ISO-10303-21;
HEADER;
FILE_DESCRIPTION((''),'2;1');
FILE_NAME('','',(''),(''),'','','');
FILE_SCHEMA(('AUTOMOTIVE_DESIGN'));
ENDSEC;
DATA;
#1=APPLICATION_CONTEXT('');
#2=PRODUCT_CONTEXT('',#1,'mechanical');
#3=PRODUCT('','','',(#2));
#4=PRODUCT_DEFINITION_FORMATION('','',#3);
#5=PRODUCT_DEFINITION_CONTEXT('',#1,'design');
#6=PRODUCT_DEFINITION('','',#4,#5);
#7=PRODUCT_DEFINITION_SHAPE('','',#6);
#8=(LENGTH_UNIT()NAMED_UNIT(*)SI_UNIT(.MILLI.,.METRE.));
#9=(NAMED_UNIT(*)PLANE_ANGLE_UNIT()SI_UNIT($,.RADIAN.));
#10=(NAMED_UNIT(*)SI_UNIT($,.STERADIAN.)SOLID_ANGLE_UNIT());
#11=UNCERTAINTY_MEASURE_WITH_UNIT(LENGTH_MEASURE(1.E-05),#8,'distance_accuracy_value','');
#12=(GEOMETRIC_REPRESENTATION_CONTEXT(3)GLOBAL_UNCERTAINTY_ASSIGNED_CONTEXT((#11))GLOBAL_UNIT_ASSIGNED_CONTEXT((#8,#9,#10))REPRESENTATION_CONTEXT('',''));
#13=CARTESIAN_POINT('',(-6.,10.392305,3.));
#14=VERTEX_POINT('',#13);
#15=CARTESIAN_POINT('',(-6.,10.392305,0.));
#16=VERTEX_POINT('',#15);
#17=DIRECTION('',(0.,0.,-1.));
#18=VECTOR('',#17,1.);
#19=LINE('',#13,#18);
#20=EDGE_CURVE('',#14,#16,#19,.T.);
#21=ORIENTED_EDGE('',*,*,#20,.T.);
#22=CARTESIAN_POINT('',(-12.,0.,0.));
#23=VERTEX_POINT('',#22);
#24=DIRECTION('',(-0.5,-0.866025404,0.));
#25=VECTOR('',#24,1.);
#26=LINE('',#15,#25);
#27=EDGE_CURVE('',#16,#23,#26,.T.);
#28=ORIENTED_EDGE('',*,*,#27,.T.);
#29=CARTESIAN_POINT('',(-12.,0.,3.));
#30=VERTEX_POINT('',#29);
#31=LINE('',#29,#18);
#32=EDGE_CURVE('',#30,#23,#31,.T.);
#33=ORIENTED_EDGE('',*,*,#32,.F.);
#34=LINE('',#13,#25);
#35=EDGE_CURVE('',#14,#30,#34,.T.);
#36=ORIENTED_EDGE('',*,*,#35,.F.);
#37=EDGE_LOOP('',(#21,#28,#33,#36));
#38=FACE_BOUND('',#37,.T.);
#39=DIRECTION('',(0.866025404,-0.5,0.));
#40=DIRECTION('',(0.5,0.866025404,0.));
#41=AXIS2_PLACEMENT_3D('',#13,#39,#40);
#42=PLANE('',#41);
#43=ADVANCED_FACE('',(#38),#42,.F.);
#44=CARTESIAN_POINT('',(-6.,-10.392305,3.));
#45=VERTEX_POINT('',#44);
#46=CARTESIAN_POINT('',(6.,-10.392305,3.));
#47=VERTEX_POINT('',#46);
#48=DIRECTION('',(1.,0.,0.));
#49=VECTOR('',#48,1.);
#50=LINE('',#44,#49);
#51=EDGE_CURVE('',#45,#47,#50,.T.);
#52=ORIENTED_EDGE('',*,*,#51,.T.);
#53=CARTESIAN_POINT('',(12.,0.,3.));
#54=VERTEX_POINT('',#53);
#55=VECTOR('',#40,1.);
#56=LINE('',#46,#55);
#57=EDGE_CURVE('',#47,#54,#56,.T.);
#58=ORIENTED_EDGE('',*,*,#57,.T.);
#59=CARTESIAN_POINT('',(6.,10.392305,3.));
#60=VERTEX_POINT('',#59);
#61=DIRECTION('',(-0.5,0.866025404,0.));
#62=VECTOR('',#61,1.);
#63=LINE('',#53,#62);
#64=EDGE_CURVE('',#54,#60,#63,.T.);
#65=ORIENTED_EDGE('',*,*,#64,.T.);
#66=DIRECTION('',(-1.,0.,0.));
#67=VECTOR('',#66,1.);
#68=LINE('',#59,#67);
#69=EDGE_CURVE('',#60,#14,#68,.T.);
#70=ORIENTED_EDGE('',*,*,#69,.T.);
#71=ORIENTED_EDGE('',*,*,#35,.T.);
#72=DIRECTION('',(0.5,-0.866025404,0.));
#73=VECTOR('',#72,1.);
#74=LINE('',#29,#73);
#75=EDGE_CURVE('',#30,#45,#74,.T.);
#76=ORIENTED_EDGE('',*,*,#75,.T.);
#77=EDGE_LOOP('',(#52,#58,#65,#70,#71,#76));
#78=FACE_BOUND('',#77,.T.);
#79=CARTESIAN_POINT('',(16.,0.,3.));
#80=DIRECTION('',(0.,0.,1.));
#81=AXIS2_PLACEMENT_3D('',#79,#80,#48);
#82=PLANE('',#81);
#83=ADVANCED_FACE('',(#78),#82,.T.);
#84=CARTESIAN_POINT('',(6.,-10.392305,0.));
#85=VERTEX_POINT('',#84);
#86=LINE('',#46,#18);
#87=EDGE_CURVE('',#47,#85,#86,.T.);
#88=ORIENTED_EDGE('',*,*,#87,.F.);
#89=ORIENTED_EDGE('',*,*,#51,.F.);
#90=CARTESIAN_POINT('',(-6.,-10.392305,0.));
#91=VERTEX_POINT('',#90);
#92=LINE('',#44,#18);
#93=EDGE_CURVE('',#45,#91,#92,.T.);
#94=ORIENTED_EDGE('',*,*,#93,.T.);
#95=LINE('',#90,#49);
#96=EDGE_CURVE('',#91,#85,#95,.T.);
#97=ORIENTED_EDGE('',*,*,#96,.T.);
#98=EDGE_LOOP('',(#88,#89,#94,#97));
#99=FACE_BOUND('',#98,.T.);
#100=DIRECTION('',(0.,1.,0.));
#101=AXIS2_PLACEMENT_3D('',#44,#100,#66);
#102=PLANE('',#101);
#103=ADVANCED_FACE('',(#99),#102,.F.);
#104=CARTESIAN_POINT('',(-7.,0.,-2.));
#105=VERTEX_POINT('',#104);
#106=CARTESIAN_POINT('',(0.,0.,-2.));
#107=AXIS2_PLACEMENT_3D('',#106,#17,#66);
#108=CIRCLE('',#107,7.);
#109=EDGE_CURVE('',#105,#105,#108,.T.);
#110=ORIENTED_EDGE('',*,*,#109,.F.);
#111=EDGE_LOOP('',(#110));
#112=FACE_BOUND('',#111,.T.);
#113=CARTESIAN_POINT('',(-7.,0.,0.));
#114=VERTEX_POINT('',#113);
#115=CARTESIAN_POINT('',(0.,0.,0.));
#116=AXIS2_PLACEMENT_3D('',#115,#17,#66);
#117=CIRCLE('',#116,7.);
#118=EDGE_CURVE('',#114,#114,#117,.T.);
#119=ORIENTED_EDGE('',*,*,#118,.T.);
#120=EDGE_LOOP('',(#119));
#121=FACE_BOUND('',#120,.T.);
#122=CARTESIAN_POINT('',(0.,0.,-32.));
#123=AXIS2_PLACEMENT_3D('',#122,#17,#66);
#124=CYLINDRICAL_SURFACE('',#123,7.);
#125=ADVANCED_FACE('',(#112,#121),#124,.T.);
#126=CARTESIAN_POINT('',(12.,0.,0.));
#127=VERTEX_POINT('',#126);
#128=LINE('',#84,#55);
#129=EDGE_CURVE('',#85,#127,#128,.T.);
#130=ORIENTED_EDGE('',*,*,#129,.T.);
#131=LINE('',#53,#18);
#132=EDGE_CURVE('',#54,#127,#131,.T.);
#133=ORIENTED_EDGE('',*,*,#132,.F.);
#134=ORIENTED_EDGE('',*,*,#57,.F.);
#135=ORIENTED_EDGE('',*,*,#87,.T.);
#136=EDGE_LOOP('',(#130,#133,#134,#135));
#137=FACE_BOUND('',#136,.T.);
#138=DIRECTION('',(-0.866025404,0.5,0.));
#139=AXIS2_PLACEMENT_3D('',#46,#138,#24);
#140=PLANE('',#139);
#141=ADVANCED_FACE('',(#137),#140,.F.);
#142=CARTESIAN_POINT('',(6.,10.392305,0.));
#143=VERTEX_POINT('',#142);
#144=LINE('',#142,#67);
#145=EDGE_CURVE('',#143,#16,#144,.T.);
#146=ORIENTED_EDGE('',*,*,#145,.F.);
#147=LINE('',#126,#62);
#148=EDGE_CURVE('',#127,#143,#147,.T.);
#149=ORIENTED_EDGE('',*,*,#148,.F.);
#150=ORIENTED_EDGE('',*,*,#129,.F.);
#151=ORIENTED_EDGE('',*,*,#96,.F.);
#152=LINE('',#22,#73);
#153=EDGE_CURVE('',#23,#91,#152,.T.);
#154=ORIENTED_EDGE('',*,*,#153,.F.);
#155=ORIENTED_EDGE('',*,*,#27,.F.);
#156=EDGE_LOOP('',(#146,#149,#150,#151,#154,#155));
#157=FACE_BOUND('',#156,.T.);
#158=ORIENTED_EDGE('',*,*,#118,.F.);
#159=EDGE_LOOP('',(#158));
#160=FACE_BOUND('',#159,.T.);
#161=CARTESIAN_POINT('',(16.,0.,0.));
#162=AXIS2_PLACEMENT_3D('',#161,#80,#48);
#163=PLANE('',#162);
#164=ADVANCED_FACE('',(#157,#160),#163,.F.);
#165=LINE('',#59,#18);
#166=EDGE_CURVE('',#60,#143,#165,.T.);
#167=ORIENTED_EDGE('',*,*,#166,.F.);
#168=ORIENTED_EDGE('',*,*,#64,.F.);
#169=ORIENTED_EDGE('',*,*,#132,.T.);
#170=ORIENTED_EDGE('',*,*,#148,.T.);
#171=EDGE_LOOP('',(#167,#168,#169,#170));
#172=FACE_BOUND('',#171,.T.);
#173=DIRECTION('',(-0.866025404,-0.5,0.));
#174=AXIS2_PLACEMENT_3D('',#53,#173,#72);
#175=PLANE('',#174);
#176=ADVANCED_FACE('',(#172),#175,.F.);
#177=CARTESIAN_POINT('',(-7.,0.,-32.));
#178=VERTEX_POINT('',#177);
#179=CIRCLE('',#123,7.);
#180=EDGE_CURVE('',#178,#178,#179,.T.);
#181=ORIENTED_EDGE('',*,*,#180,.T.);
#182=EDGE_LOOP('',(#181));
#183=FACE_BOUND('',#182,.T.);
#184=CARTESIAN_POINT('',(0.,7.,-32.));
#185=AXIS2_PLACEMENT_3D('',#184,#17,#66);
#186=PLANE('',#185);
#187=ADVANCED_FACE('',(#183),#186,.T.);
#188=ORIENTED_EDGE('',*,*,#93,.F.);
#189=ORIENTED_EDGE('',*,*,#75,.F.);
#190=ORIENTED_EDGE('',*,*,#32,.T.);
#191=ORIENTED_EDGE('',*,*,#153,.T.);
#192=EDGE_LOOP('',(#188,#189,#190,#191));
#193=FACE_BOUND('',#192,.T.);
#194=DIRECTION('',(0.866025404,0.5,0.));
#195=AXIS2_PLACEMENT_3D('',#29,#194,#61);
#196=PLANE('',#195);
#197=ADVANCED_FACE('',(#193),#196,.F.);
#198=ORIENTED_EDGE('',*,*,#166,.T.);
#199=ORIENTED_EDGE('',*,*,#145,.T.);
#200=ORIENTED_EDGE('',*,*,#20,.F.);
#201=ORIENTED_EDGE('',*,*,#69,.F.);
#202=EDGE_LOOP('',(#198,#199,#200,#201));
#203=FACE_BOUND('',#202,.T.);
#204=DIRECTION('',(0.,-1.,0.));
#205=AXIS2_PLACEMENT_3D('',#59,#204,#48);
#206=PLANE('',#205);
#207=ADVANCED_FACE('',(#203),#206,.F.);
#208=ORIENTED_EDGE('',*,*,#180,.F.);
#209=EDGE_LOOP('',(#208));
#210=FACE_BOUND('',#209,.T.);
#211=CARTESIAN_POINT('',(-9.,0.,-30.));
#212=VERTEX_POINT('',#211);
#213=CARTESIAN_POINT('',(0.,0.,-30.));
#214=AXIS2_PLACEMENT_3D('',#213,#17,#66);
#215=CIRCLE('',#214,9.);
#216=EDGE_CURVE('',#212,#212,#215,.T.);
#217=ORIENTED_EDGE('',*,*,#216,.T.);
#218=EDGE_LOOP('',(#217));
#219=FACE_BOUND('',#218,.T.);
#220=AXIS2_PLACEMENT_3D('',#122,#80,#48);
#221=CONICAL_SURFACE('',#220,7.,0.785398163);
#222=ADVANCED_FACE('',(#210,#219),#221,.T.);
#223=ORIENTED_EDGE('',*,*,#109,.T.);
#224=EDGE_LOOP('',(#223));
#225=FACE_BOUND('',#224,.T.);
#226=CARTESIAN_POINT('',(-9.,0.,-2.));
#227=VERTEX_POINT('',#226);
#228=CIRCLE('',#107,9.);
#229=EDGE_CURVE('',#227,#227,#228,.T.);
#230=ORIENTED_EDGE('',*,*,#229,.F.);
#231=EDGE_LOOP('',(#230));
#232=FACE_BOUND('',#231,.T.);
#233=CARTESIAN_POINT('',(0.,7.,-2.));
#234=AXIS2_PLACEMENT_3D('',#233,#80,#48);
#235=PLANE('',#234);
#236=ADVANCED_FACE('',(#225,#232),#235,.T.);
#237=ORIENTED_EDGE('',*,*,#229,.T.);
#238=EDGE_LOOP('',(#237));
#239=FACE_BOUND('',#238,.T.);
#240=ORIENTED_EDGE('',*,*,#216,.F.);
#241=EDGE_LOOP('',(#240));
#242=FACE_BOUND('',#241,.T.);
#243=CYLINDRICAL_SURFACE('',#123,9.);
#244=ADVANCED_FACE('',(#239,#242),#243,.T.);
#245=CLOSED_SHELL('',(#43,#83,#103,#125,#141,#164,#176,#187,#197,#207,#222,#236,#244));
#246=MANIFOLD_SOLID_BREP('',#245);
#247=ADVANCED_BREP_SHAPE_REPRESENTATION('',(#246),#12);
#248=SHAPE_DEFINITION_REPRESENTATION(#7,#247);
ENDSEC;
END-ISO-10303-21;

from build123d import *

# Parameters (mm, degrees)
EXTRUDE_1_DEPTH     = 3
CUT_EXTRUDE_1_DEPTH = 39.366652187


with BuildPart() as part:
    # 草图1 → 凸台-拉伸1 (new body)
    with BuildSketch(Plane.XY):
        Polygon((16, 0), (8, 13.856406461), (-8, 13.856406461), (-16, 0), (-8, -13.856406461), (8, -13.856406461), align=None)
    extrude(amount=EXTRUDE_1_DEPTH)

    # 草图2 → 旋转1 (revolve)
    with BuildSketch(Plane(origin=(0, 0, 0), x_dir=(0, 0, -1), z_dir=(1, 0, 0)), mode=Mode.PRIVATE) as revolve_1_sk:
        Polygon((0, 0), (0, 7), (2, 7), (2, 9), (30, 9), (32, 7), (32, 0), align=None)
    revolve(revolve_1_sk.sketch.rotate(Axis((0, 0, -32), (0, 0, 1)), 90), axis=Axis((0, 0, -32), (0, 0, 1)))

    # 草图4 → 切除-拉伸1 (cut, through all)
    with BuildSketch(Plane.XY):
        Polygon((16, 0), (8, 13.856406461), (-8, 13.856406461), (-16, 0), (-8, -13.856406461), (8, -13.856406461), align=None)
        Polygon((12, 0), (6, 10.392304845), (-6, 10.392304845), (-12, 0), (-6, -10.392304845), (6, -10.392304845), align=None, mode=Mode.SUBTRACT)
    extrude(amount=CUT_EXTRUDE_1_DEPTH, mode=Mode.SUBTRACT)


solid = part.part
